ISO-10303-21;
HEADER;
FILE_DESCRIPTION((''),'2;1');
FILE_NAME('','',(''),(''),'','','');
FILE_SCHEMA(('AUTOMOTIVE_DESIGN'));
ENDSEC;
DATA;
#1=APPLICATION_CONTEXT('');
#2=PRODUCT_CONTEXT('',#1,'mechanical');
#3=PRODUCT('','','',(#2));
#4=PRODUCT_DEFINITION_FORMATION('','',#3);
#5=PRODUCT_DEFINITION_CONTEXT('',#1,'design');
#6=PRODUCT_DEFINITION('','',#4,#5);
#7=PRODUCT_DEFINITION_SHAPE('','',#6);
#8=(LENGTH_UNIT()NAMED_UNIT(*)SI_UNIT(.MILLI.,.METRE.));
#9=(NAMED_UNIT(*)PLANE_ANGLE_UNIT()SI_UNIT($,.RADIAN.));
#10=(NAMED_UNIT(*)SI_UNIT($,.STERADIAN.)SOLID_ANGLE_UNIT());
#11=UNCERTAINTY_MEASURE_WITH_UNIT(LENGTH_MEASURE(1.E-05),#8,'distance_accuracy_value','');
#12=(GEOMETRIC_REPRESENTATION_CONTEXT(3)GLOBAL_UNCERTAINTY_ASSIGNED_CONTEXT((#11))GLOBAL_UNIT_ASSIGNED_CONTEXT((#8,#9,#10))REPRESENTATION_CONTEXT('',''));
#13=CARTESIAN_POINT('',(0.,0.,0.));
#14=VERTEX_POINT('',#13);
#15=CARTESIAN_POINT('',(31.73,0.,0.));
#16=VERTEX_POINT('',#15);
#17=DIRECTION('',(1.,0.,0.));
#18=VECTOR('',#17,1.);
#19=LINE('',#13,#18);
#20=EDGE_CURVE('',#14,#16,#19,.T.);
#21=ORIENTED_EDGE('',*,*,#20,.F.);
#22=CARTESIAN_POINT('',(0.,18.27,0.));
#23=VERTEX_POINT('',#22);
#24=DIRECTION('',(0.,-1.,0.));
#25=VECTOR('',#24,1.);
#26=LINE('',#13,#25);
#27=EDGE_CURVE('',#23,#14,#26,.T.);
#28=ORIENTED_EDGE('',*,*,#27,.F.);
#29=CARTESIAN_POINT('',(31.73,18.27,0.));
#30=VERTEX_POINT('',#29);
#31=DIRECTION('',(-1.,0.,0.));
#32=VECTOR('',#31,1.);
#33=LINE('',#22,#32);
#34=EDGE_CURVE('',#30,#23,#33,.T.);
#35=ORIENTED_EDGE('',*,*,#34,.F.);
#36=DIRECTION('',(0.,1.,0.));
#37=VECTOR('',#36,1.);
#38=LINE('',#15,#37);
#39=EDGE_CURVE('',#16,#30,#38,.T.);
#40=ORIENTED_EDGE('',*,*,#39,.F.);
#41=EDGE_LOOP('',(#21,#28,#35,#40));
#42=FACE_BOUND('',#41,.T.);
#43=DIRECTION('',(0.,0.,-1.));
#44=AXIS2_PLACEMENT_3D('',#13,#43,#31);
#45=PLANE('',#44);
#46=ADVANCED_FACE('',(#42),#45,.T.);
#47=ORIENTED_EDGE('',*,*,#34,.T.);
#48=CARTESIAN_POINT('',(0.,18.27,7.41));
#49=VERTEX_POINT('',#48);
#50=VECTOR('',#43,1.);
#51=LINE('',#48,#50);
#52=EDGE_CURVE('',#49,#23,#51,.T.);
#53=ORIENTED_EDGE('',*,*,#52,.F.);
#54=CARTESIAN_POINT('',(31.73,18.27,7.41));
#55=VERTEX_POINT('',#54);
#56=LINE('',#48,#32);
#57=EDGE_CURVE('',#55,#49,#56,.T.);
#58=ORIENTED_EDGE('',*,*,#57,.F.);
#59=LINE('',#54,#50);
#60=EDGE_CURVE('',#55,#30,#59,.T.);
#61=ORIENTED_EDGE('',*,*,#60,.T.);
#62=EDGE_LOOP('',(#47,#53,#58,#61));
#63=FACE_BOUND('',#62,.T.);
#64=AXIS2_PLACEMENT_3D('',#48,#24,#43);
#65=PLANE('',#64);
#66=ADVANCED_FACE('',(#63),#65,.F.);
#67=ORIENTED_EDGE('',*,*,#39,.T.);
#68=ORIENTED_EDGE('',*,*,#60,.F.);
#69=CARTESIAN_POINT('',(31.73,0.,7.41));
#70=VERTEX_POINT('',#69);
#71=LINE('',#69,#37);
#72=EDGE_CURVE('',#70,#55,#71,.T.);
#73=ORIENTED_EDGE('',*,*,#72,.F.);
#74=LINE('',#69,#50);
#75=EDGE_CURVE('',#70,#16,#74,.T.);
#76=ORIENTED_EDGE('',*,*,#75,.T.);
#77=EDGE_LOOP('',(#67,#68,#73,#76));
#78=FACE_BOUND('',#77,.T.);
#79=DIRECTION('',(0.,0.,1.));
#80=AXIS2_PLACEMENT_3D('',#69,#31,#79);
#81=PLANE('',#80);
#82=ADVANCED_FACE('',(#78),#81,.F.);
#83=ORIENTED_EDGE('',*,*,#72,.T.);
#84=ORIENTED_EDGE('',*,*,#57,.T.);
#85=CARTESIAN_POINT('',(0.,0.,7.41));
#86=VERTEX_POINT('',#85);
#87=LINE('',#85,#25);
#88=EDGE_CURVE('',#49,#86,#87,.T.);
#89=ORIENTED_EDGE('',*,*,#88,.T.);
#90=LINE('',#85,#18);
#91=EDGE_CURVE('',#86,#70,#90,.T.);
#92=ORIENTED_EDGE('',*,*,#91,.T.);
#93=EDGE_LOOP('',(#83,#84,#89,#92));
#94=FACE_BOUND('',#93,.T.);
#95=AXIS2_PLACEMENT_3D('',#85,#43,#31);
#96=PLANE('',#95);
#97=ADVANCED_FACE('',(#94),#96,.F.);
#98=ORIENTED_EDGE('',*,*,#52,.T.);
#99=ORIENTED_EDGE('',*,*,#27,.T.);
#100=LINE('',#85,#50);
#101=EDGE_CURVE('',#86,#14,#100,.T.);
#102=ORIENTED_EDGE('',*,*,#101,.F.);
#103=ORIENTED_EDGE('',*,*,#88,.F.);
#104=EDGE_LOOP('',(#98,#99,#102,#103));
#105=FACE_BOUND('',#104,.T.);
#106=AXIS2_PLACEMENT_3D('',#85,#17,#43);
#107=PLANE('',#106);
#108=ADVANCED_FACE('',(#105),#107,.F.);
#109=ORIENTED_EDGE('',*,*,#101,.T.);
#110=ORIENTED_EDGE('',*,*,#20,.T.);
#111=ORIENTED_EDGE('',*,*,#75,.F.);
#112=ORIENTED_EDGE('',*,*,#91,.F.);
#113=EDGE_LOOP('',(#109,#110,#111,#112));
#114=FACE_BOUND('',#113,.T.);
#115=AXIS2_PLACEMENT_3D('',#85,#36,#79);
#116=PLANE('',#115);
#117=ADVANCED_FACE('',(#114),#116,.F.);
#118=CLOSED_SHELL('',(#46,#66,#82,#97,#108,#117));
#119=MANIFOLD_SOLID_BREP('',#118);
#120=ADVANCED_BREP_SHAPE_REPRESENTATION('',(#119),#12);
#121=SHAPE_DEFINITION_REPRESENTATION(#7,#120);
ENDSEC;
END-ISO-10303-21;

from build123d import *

# Parameters (mm, degrees)
ANCHORSKETCH_W   = 31.73
ANCHORSKETCH_H   = 18.27
ANCHORBOSS_DEPTH = 7.41


with BuildPart() as part:
    # AnchorSketch → AnchorBoss (new body)
    with BuildSketch(Plane.XY):
        with Locations((15.865, 9.135)):
            Rectangle(ANCHORSKETCH_W, ANCHORSKETCH_H)
    extrude(amount=ANCHORBOSS_DEPTH)


solid = part.part
